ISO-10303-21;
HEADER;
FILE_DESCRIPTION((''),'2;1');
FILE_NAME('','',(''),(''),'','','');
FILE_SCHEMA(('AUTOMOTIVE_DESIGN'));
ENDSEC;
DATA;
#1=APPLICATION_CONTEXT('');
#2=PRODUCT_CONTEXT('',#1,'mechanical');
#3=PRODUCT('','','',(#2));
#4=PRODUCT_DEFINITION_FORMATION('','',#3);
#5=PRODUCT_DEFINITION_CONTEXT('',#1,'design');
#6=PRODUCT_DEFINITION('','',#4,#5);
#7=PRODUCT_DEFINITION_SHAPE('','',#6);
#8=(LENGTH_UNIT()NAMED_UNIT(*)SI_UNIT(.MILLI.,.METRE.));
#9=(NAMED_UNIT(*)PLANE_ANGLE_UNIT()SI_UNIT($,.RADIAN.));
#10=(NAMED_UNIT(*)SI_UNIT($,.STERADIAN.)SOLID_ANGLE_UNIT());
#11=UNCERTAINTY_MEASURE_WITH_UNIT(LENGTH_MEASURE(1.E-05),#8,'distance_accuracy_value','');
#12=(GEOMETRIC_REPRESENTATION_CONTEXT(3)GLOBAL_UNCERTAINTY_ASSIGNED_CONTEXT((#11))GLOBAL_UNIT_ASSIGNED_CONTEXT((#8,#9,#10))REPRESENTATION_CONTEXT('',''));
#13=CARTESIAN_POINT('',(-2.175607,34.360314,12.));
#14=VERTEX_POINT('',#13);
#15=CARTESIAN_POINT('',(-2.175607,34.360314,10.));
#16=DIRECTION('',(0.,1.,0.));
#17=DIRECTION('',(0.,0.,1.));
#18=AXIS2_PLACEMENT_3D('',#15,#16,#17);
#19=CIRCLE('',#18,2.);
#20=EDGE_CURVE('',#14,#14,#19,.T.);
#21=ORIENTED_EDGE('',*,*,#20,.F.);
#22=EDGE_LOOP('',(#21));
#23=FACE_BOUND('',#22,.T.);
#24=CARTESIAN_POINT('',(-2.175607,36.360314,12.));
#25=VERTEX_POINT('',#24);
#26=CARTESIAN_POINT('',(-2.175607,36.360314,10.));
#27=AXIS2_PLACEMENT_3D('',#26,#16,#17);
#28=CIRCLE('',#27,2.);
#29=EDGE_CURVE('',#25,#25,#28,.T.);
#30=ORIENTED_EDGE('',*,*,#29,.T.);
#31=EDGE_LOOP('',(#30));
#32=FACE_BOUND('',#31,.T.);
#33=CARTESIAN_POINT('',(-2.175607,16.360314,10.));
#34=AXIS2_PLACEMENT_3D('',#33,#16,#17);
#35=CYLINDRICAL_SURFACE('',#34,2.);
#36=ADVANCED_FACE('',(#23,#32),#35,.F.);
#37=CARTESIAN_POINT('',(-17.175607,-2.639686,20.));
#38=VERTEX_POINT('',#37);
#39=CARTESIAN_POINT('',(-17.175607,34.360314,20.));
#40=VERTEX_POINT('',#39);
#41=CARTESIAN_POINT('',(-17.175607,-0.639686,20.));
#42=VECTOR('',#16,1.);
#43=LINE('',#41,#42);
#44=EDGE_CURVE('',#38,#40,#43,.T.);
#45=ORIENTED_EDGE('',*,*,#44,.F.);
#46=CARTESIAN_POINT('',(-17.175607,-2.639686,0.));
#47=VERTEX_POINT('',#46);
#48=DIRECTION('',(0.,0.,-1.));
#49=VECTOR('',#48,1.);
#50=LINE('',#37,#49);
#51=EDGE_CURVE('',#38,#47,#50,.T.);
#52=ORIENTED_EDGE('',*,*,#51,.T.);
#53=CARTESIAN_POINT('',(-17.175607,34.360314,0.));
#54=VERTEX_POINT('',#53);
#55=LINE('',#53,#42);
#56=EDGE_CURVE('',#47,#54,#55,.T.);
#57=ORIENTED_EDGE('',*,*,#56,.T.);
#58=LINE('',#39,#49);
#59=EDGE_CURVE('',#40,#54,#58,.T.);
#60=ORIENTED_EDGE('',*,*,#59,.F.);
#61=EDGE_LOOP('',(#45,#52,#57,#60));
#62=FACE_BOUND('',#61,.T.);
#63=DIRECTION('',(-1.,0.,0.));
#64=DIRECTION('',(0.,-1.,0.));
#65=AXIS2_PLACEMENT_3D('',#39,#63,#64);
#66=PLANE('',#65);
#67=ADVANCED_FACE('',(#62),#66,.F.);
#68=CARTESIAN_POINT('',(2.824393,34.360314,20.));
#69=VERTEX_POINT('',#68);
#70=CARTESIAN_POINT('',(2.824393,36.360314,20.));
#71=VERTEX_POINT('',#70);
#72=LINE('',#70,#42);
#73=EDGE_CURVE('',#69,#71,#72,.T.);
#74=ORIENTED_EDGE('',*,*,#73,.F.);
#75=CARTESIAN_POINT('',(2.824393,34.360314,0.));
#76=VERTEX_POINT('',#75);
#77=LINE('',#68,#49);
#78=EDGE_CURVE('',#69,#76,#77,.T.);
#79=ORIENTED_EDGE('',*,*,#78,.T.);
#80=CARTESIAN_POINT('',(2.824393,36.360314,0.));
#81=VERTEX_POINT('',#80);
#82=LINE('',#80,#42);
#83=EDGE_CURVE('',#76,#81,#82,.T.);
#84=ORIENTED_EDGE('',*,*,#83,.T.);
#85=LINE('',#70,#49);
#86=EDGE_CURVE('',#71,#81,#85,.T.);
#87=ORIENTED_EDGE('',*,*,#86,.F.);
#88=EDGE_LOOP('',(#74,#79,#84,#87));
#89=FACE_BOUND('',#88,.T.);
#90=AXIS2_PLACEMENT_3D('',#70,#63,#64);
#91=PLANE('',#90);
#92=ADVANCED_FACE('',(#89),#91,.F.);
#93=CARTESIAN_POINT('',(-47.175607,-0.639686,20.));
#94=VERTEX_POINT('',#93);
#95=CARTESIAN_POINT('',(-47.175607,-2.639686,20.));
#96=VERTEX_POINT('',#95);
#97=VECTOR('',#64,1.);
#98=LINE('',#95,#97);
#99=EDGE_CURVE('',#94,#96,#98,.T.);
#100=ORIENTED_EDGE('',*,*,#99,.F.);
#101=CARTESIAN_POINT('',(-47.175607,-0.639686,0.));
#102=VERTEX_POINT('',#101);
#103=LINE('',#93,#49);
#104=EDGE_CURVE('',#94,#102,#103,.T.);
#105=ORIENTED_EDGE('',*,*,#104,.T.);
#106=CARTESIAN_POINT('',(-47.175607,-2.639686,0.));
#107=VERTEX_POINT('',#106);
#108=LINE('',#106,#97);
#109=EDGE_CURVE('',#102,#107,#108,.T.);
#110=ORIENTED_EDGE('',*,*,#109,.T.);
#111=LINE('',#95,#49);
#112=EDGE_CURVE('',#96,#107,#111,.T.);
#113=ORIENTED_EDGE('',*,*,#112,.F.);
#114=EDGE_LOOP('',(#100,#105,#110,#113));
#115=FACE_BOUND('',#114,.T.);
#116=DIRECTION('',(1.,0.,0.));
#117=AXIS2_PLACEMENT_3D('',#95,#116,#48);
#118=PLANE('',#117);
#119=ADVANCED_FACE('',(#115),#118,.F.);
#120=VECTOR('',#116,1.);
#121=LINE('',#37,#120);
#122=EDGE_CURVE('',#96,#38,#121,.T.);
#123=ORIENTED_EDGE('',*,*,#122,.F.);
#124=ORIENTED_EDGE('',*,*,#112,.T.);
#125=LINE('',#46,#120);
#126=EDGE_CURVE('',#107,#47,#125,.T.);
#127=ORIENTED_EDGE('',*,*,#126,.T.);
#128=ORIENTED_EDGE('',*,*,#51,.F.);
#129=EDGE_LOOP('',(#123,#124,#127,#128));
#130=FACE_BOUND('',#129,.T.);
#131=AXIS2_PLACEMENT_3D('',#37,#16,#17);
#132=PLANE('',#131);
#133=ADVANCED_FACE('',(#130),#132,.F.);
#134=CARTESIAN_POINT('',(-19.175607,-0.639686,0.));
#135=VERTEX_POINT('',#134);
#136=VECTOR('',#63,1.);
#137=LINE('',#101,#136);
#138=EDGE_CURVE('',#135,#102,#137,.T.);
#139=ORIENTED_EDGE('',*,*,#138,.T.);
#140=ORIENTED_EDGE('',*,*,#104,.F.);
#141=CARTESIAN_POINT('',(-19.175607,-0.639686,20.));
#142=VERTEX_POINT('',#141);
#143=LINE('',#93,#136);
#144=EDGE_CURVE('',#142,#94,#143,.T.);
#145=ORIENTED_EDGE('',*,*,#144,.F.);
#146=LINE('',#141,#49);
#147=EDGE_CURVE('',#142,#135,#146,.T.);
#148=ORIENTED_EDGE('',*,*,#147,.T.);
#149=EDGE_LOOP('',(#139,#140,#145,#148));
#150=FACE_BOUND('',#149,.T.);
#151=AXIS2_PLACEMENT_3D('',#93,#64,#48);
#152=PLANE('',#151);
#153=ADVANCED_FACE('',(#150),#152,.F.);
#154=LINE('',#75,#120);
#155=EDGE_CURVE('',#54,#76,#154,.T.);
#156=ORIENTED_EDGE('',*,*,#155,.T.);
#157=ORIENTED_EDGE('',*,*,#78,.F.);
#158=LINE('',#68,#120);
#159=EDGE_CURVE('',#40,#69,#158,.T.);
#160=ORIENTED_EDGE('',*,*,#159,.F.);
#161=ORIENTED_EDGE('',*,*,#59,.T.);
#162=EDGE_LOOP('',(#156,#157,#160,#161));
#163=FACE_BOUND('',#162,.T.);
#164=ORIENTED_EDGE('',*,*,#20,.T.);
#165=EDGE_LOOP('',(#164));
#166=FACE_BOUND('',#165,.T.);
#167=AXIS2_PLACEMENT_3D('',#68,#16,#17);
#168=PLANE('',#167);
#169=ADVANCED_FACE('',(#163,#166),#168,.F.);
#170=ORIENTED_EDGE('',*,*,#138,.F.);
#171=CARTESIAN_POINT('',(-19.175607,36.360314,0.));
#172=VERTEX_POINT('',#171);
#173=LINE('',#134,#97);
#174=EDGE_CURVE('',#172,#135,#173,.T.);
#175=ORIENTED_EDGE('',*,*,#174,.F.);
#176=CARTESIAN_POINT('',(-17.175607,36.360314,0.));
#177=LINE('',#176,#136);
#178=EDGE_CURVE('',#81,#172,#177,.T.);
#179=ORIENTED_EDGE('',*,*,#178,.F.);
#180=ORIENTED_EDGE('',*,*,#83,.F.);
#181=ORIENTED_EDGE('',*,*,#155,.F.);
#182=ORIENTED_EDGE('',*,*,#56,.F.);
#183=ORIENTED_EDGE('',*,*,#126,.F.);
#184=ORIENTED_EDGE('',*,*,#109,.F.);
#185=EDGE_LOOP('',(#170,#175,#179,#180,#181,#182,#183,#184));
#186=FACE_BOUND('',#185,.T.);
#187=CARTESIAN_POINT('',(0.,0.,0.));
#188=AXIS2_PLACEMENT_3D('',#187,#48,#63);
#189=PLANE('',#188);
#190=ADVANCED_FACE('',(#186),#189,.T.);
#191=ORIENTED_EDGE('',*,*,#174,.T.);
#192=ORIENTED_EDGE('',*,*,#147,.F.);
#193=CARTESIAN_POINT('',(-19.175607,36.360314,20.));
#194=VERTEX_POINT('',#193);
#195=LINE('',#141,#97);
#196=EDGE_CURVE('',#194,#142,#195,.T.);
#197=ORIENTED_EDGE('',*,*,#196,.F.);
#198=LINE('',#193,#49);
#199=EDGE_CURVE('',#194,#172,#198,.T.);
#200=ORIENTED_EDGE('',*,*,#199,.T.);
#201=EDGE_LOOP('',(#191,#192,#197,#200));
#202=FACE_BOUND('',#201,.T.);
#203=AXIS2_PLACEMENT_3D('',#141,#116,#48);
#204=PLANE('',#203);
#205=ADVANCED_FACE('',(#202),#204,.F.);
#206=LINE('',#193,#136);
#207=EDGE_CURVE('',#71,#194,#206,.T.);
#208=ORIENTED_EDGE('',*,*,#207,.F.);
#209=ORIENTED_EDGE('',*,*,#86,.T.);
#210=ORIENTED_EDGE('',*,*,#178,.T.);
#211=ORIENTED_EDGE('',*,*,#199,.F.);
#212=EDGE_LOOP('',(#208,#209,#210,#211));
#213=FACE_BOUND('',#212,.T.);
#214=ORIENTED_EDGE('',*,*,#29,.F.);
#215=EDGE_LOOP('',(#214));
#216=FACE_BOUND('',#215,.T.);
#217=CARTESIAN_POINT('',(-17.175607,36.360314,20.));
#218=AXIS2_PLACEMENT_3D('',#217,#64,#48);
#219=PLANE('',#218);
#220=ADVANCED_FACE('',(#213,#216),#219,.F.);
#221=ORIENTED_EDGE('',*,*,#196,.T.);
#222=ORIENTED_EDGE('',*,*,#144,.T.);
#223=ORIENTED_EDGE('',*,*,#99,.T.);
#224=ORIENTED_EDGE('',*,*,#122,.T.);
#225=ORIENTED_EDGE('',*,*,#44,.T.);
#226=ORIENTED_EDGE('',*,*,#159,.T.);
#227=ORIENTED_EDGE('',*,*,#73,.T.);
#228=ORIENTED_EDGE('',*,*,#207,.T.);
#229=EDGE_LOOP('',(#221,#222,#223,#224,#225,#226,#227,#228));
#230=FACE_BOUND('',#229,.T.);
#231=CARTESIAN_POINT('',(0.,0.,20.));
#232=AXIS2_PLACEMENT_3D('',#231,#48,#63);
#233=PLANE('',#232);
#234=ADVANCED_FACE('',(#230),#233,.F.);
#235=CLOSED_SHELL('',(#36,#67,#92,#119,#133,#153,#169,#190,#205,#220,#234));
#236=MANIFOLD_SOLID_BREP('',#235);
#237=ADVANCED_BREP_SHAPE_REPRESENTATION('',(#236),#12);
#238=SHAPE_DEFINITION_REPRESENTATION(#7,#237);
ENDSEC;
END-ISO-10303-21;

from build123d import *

# Parameters (mm, degrees)
EXTRUDE_1_DEPTH     = 20
SKETCH_2_R          = 2
CUT_EXTRUDE_1_DEPTH = 20


with BuildPart() as part:
    # 草图1 → 凸台-拉伸1 (new body)
    with BuildSketch(Plane.XY):
        Polygon((-17.175607408, 36.360314389), (-7.175607408, 36.360314389), (2.824392592, 36.360314389), (2.824392592, 34.360314389), (-17.175607408, 34.360314389), (-17.175607408, -0.639685611), (-17.175607408, -2.639685611), (-47.175607408, -2.639685611), (-47.175607408, -0.639685611), (-19.175607408, -0.639685611), (-19.175607408, 36.360314389), align=None)
    extrude(amount=EXTRUDE_1_DEPTH)

    # 草图2 → 切除-拉伸1 (cut)
    with BuildSketch(Plane(origin=(0, 36.360314389, 0), x_dir=(1, 0, 0), z_dir=(0, 1, 0))):
        with Locations((-2.175607408, -10)):
            Circle(SKETCH_2_R)
    extrude(amount=-CUT_EXTRUDE_1_DEPTH, mode=Mode.SUBTRACT)


solid = part.part
